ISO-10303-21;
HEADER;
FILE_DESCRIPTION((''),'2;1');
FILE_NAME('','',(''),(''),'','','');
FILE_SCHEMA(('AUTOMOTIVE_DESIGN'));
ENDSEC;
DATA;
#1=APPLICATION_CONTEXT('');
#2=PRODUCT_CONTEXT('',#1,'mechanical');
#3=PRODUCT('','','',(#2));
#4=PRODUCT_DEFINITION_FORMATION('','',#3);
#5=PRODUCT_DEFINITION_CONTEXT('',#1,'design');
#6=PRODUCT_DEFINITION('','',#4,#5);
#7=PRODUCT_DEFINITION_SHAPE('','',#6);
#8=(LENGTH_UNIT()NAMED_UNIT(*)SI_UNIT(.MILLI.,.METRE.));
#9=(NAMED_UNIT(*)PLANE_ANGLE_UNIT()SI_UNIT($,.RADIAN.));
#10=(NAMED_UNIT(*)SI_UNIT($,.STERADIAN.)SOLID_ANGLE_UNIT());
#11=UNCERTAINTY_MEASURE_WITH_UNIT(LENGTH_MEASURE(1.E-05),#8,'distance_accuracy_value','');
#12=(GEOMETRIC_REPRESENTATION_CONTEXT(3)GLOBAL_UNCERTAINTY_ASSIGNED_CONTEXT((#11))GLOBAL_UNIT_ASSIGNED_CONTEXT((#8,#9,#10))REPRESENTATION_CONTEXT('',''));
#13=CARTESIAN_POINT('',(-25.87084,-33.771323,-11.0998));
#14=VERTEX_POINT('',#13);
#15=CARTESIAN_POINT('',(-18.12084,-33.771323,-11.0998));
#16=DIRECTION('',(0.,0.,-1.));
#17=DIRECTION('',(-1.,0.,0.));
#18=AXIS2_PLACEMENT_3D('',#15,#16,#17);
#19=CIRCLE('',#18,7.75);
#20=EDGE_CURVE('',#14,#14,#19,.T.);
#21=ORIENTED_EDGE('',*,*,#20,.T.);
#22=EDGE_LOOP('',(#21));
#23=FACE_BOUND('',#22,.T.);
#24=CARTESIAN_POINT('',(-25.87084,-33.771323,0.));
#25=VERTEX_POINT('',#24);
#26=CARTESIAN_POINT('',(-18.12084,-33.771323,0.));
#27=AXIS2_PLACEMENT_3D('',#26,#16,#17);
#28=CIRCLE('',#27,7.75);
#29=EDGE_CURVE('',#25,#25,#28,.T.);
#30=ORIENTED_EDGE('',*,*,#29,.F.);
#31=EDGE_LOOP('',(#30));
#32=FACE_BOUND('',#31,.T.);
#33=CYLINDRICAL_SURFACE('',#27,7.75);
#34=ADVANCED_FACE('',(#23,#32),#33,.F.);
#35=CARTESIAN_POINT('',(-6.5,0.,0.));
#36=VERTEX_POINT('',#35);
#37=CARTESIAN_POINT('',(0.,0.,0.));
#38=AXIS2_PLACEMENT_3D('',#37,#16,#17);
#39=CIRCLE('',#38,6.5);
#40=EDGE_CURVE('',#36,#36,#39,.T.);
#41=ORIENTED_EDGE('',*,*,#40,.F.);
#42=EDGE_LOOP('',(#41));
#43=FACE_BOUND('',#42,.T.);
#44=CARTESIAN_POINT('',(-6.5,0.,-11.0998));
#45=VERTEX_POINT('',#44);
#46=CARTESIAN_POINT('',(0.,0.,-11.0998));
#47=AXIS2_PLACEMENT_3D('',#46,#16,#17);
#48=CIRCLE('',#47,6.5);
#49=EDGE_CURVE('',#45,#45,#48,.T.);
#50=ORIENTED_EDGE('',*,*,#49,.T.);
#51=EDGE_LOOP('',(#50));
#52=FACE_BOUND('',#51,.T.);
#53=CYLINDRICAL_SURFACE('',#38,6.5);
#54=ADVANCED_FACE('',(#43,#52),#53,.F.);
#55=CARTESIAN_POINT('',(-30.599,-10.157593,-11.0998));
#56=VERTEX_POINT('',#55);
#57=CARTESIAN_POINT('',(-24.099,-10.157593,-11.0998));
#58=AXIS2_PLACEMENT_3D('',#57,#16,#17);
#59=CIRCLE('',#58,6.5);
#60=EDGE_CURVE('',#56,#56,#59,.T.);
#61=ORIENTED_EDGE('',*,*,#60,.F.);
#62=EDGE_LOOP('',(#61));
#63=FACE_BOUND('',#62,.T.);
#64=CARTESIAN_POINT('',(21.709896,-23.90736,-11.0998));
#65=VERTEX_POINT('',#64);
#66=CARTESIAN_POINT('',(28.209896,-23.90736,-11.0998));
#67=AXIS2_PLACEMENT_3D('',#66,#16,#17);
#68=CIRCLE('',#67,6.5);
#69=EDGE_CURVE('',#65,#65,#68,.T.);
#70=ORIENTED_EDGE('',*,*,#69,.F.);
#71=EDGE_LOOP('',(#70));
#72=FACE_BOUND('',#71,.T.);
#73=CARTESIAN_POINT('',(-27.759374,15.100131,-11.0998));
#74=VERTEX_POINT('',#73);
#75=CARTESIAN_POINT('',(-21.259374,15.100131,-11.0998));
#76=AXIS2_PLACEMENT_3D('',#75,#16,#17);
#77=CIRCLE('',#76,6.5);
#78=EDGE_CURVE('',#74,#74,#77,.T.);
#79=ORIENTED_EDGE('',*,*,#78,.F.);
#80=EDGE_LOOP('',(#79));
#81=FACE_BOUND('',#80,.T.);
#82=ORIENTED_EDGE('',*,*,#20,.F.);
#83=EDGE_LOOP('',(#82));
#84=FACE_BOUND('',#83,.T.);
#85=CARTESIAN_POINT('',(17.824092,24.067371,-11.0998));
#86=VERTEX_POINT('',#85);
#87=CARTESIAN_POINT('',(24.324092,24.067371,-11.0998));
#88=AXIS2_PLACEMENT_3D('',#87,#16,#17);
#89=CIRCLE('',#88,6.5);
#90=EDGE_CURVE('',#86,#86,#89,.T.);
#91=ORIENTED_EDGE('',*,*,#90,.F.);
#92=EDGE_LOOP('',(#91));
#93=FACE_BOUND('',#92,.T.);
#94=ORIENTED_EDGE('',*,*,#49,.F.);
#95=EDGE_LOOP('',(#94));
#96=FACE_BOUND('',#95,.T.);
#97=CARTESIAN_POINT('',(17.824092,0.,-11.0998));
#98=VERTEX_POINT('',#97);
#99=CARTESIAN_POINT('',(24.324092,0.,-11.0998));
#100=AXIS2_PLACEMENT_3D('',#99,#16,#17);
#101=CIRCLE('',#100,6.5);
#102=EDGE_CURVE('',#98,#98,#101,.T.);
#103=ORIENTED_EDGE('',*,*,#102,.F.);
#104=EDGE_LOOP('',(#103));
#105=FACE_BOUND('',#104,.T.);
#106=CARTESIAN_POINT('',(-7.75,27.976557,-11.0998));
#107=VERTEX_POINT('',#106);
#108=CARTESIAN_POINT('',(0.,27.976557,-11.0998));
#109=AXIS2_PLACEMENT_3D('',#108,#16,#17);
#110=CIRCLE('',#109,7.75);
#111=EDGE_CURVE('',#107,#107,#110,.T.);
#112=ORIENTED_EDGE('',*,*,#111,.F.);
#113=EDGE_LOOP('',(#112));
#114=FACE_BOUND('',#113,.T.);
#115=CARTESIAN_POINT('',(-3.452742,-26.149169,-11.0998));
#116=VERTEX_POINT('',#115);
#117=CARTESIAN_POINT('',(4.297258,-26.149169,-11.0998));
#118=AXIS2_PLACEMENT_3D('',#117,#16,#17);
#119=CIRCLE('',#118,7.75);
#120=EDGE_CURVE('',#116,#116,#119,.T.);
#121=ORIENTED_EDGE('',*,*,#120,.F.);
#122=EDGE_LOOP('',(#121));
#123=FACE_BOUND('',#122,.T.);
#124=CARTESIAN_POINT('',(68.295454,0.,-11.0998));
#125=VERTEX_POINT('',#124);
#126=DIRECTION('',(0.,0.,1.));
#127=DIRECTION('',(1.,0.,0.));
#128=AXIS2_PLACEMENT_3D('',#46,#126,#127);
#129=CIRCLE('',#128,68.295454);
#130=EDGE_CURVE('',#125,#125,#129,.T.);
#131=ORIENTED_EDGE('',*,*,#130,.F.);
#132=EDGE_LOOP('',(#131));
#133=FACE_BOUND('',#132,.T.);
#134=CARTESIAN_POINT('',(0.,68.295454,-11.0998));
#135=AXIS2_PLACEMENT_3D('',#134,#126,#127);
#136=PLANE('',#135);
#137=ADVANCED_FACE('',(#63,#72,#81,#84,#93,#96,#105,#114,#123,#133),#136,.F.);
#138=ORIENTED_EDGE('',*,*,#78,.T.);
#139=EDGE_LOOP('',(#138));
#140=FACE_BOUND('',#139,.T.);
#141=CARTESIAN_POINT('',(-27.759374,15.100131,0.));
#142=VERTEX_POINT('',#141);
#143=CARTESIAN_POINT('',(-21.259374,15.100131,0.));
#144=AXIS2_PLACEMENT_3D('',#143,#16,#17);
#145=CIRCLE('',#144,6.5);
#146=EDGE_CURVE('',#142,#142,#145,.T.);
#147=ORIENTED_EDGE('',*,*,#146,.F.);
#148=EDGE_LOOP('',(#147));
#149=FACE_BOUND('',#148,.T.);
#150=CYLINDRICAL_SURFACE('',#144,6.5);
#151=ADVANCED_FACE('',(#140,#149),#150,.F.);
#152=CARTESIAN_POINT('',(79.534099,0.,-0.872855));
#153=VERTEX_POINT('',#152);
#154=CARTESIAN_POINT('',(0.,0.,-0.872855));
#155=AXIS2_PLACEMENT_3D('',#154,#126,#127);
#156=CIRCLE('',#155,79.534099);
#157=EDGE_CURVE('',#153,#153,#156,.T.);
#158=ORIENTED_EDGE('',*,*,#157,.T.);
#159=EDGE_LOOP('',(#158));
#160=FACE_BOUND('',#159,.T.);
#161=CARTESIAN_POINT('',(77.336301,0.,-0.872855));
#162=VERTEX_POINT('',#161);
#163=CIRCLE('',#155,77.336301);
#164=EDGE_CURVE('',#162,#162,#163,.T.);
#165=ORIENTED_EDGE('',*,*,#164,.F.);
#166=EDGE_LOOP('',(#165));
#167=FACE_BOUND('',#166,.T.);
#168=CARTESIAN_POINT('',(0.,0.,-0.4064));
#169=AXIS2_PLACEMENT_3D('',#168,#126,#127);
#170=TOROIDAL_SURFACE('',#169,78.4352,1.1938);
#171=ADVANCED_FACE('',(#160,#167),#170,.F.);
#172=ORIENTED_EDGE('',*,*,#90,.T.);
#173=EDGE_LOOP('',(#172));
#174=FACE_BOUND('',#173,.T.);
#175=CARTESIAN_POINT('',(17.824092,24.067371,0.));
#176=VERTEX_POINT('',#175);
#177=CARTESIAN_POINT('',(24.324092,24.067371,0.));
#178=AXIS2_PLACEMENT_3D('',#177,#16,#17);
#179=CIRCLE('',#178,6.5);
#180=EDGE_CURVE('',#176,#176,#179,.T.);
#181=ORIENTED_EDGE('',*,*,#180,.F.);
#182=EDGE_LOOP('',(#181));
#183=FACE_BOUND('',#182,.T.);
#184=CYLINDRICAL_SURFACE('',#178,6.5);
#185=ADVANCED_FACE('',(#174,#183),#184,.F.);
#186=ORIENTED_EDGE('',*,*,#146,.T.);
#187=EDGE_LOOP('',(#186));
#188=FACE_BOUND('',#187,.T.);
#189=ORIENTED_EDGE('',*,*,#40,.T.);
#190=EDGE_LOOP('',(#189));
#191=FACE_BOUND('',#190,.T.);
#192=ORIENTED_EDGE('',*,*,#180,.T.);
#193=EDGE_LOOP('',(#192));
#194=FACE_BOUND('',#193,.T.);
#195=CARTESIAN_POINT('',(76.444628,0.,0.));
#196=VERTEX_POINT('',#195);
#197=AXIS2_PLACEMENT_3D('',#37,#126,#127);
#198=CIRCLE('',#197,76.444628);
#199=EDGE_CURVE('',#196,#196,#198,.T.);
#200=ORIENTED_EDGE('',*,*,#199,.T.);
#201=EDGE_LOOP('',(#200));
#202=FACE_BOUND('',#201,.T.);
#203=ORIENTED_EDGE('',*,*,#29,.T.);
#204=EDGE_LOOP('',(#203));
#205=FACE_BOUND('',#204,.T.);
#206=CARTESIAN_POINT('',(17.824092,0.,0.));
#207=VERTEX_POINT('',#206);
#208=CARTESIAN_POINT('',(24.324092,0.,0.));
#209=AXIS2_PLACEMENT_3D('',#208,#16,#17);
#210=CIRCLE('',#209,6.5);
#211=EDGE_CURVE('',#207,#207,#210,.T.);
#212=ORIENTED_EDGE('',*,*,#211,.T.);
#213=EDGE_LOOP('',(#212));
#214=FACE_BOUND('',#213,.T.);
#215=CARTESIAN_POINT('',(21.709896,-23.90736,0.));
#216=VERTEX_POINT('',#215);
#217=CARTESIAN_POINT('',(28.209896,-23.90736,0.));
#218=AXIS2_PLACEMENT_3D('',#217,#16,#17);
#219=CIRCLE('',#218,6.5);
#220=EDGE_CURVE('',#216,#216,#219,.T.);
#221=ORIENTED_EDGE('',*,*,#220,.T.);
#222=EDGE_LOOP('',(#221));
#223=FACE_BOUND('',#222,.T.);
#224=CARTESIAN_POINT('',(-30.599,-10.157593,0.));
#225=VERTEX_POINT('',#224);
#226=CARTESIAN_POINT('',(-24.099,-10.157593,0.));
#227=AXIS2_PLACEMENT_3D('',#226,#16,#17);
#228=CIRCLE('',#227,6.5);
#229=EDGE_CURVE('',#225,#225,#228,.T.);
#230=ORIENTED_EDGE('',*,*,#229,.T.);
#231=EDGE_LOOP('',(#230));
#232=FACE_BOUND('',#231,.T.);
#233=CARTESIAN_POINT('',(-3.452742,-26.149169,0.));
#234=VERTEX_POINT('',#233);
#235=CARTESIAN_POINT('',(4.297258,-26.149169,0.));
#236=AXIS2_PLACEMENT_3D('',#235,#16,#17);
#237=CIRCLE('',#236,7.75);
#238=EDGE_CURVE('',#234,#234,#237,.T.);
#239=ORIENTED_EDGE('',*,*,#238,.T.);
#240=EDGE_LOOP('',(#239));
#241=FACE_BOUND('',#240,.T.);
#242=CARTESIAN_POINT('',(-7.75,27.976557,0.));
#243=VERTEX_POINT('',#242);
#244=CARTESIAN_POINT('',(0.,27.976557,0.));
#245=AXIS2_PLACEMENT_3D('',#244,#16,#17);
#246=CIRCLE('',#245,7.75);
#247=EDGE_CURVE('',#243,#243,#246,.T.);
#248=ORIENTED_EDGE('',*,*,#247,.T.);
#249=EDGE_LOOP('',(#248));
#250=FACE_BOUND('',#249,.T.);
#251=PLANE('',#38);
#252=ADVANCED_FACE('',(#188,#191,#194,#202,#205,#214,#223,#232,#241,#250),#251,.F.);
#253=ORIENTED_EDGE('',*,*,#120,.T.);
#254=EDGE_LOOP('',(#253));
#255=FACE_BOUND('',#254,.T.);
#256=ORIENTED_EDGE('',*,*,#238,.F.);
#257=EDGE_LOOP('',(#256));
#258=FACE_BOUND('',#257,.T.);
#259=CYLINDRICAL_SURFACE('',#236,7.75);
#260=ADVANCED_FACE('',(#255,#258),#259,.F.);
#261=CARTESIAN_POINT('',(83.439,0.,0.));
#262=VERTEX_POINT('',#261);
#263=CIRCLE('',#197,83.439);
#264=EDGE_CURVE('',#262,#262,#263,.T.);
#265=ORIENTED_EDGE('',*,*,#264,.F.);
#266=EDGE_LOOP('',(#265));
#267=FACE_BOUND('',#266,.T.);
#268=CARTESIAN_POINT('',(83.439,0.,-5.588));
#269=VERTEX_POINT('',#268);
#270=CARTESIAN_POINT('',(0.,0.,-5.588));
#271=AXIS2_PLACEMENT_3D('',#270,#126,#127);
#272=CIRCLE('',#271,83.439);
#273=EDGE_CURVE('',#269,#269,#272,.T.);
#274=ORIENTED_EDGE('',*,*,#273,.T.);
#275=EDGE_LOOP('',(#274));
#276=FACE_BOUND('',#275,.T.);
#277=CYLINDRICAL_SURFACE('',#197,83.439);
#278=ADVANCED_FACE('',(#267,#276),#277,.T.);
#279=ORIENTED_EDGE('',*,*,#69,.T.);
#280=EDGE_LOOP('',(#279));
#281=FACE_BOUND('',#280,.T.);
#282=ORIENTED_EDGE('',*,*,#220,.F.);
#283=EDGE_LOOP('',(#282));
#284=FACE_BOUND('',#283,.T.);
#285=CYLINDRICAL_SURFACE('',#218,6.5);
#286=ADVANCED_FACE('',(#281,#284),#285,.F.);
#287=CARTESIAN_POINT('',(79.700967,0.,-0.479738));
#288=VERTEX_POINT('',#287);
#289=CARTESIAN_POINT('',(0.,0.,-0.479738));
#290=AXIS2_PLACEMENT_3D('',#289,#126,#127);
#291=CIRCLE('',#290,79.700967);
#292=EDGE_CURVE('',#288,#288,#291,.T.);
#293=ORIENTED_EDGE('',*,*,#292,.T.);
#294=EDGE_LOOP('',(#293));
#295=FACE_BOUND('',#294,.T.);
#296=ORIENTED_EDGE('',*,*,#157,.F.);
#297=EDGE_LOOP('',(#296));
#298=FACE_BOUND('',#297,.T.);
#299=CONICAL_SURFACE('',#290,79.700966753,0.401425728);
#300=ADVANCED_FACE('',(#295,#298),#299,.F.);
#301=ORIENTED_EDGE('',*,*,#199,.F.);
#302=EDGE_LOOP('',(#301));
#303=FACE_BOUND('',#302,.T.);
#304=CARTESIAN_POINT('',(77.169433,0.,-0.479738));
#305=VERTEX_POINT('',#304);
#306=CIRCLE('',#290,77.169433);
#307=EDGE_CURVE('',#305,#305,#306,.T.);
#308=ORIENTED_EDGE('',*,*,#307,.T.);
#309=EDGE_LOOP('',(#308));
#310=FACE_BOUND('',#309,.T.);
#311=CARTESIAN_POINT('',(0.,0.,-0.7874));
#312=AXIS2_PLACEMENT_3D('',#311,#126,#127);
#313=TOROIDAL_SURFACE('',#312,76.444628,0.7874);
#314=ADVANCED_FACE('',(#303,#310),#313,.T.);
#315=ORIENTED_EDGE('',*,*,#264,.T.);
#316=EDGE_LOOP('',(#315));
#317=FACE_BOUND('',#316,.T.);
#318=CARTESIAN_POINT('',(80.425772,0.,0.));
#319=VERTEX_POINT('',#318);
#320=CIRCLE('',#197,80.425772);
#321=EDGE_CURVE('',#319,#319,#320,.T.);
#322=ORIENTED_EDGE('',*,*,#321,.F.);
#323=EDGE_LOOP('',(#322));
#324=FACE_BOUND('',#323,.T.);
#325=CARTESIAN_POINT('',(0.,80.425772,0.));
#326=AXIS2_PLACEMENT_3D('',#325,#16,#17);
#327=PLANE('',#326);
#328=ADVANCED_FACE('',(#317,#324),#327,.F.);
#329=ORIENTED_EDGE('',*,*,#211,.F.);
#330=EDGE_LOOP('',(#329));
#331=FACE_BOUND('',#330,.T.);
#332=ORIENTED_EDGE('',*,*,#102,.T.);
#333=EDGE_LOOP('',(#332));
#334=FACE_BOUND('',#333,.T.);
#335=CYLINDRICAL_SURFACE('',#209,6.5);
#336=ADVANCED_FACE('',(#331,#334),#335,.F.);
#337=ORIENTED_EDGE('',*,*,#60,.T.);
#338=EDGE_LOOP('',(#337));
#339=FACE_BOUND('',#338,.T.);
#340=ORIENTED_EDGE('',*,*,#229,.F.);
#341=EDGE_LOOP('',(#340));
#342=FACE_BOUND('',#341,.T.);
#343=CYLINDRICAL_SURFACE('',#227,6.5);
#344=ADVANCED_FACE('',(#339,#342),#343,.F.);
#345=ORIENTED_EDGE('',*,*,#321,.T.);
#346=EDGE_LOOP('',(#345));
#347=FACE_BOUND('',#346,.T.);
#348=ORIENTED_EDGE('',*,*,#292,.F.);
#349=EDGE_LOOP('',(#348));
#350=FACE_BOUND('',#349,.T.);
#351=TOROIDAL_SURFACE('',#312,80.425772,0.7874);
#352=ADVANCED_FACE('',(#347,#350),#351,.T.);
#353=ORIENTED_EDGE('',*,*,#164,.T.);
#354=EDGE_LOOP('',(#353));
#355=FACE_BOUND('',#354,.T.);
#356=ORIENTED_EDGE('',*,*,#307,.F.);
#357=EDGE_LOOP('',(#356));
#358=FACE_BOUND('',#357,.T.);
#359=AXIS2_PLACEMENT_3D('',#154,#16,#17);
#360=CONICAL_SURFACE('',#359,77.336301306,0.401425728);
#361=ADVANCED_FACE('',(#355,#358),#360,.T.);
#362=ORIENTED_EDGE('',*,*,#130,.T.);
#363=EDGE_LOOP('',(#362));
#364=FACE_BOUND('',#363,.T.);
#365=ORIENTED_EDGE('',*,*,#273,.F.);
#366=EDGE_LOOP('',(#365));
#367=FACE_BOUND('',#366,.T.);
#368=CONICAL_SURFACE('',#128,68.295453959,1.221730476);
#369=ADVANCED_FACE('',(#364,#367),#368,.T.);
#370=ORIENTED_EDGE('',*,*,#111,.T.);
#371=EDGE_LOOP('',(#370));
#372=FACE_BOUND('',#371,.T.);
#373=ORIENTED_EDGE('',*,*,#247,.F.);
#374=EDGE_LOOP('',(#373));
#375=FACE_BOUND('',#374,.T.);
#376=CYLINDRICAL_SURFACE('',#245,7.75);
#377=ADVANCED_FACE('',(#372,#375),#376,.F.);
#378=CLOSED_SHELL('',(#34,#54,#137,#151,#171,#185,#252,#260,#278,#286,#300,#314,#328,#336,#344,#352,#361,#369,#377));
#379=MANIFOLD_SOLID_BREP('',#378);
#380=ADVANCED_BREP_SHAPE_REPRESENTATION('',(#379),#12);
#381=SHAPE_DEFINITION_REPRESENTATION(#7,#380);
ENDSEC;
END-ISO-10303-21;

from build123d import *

# Parameters (mm, degrees)
SKETCH2_R          = 6.5
SKETCH2_R_2        = 7.75
CUT_EXTRUDE1_DEPTH = 119.521470637


with BuildPart() as part:
    # Sketch1 → Revolve1 (revolve)
    with BuildSketch(Plane(origin=(0, 0, 0), x_dir=(0, 0, -1), z_dir=(1, 0, 0)), mode=Mode.PRIVATE) as revolve1_sk:
        with BuildLine():
            Line((0, 0), (0, 76.444627725))
            ThreePointArc((0, 76.444627725), (0.130798304, 76.879222907), (0.479738309, 77.169433247))
            Line((0.479738309, 77.169433247), (0.872854821, 77.336301306))
            ThreePointArc((0.872854821, 77.336301306), (1.6002, 78.4352), (0.872854821, 79.534098694))
            Line((0.872854821, 79.534098694), (0.479738309, 79.700966753))
            ThreePointArc((0.479738309, 79.700966753), (0.130798304, 79.991177093), (0, 80.425772275))
            Line((0, 80.425772275), (0, 83.439))
            Line((0, 83.439), (5.588, 83.439))
            Line((5.588, 83.439), (11.0998, 68.295453959))
            Line((11.0998, 68.295453959), (11.0998, 0))
            Line((11.0998, 0), (0, 0))
        make_face()
    revolve(revolve1_sk.sketch.rotate(Axis((0, 0, 0), (0, 0, -1)), 90), axis=Axis((0, 0, 0), (0, 0, -1)))

    # Sketch2 → Cut-Extrude1 (cut, through all)
    with BuildSketch(Plane(origin=(0, 0, -11.0998), x_dir=(-1, 0, 0), z_dir=(0, 0, -1))):
        Circle(SKETCH2_R)
        with Locations((0, 27.9765569)):
            Circle(SKETCH2_R_2)
        with Locations((-24.324092368, 0)):
            Circle(SKETCH2_R)
        with Locations((24.098999837, -10.15759269)):
            Circle(SKETCH2_R)
        with Locations((-24.324092368, 24.067370628)):
            Circle(SKETCH2_R)
        with Locations((21.259374059, 15.100131331)):
            Circle(SKETCH2_R)
        with Locations((-4.297257938, -26.149169437)):
            Circle(SKETCH2_R_2)
        with Locations((-28.209896064, -23.907359612)):
            Circle(SKETCH2_R)
        with Locations((18.120840305, -33.771322839)):
            Circle(SKETCH2_R_2)
    extrude(amount=-CUT_EXTRUDE1_DEPTH, mode=Mode.SUBTRACT)


solid = part.part
